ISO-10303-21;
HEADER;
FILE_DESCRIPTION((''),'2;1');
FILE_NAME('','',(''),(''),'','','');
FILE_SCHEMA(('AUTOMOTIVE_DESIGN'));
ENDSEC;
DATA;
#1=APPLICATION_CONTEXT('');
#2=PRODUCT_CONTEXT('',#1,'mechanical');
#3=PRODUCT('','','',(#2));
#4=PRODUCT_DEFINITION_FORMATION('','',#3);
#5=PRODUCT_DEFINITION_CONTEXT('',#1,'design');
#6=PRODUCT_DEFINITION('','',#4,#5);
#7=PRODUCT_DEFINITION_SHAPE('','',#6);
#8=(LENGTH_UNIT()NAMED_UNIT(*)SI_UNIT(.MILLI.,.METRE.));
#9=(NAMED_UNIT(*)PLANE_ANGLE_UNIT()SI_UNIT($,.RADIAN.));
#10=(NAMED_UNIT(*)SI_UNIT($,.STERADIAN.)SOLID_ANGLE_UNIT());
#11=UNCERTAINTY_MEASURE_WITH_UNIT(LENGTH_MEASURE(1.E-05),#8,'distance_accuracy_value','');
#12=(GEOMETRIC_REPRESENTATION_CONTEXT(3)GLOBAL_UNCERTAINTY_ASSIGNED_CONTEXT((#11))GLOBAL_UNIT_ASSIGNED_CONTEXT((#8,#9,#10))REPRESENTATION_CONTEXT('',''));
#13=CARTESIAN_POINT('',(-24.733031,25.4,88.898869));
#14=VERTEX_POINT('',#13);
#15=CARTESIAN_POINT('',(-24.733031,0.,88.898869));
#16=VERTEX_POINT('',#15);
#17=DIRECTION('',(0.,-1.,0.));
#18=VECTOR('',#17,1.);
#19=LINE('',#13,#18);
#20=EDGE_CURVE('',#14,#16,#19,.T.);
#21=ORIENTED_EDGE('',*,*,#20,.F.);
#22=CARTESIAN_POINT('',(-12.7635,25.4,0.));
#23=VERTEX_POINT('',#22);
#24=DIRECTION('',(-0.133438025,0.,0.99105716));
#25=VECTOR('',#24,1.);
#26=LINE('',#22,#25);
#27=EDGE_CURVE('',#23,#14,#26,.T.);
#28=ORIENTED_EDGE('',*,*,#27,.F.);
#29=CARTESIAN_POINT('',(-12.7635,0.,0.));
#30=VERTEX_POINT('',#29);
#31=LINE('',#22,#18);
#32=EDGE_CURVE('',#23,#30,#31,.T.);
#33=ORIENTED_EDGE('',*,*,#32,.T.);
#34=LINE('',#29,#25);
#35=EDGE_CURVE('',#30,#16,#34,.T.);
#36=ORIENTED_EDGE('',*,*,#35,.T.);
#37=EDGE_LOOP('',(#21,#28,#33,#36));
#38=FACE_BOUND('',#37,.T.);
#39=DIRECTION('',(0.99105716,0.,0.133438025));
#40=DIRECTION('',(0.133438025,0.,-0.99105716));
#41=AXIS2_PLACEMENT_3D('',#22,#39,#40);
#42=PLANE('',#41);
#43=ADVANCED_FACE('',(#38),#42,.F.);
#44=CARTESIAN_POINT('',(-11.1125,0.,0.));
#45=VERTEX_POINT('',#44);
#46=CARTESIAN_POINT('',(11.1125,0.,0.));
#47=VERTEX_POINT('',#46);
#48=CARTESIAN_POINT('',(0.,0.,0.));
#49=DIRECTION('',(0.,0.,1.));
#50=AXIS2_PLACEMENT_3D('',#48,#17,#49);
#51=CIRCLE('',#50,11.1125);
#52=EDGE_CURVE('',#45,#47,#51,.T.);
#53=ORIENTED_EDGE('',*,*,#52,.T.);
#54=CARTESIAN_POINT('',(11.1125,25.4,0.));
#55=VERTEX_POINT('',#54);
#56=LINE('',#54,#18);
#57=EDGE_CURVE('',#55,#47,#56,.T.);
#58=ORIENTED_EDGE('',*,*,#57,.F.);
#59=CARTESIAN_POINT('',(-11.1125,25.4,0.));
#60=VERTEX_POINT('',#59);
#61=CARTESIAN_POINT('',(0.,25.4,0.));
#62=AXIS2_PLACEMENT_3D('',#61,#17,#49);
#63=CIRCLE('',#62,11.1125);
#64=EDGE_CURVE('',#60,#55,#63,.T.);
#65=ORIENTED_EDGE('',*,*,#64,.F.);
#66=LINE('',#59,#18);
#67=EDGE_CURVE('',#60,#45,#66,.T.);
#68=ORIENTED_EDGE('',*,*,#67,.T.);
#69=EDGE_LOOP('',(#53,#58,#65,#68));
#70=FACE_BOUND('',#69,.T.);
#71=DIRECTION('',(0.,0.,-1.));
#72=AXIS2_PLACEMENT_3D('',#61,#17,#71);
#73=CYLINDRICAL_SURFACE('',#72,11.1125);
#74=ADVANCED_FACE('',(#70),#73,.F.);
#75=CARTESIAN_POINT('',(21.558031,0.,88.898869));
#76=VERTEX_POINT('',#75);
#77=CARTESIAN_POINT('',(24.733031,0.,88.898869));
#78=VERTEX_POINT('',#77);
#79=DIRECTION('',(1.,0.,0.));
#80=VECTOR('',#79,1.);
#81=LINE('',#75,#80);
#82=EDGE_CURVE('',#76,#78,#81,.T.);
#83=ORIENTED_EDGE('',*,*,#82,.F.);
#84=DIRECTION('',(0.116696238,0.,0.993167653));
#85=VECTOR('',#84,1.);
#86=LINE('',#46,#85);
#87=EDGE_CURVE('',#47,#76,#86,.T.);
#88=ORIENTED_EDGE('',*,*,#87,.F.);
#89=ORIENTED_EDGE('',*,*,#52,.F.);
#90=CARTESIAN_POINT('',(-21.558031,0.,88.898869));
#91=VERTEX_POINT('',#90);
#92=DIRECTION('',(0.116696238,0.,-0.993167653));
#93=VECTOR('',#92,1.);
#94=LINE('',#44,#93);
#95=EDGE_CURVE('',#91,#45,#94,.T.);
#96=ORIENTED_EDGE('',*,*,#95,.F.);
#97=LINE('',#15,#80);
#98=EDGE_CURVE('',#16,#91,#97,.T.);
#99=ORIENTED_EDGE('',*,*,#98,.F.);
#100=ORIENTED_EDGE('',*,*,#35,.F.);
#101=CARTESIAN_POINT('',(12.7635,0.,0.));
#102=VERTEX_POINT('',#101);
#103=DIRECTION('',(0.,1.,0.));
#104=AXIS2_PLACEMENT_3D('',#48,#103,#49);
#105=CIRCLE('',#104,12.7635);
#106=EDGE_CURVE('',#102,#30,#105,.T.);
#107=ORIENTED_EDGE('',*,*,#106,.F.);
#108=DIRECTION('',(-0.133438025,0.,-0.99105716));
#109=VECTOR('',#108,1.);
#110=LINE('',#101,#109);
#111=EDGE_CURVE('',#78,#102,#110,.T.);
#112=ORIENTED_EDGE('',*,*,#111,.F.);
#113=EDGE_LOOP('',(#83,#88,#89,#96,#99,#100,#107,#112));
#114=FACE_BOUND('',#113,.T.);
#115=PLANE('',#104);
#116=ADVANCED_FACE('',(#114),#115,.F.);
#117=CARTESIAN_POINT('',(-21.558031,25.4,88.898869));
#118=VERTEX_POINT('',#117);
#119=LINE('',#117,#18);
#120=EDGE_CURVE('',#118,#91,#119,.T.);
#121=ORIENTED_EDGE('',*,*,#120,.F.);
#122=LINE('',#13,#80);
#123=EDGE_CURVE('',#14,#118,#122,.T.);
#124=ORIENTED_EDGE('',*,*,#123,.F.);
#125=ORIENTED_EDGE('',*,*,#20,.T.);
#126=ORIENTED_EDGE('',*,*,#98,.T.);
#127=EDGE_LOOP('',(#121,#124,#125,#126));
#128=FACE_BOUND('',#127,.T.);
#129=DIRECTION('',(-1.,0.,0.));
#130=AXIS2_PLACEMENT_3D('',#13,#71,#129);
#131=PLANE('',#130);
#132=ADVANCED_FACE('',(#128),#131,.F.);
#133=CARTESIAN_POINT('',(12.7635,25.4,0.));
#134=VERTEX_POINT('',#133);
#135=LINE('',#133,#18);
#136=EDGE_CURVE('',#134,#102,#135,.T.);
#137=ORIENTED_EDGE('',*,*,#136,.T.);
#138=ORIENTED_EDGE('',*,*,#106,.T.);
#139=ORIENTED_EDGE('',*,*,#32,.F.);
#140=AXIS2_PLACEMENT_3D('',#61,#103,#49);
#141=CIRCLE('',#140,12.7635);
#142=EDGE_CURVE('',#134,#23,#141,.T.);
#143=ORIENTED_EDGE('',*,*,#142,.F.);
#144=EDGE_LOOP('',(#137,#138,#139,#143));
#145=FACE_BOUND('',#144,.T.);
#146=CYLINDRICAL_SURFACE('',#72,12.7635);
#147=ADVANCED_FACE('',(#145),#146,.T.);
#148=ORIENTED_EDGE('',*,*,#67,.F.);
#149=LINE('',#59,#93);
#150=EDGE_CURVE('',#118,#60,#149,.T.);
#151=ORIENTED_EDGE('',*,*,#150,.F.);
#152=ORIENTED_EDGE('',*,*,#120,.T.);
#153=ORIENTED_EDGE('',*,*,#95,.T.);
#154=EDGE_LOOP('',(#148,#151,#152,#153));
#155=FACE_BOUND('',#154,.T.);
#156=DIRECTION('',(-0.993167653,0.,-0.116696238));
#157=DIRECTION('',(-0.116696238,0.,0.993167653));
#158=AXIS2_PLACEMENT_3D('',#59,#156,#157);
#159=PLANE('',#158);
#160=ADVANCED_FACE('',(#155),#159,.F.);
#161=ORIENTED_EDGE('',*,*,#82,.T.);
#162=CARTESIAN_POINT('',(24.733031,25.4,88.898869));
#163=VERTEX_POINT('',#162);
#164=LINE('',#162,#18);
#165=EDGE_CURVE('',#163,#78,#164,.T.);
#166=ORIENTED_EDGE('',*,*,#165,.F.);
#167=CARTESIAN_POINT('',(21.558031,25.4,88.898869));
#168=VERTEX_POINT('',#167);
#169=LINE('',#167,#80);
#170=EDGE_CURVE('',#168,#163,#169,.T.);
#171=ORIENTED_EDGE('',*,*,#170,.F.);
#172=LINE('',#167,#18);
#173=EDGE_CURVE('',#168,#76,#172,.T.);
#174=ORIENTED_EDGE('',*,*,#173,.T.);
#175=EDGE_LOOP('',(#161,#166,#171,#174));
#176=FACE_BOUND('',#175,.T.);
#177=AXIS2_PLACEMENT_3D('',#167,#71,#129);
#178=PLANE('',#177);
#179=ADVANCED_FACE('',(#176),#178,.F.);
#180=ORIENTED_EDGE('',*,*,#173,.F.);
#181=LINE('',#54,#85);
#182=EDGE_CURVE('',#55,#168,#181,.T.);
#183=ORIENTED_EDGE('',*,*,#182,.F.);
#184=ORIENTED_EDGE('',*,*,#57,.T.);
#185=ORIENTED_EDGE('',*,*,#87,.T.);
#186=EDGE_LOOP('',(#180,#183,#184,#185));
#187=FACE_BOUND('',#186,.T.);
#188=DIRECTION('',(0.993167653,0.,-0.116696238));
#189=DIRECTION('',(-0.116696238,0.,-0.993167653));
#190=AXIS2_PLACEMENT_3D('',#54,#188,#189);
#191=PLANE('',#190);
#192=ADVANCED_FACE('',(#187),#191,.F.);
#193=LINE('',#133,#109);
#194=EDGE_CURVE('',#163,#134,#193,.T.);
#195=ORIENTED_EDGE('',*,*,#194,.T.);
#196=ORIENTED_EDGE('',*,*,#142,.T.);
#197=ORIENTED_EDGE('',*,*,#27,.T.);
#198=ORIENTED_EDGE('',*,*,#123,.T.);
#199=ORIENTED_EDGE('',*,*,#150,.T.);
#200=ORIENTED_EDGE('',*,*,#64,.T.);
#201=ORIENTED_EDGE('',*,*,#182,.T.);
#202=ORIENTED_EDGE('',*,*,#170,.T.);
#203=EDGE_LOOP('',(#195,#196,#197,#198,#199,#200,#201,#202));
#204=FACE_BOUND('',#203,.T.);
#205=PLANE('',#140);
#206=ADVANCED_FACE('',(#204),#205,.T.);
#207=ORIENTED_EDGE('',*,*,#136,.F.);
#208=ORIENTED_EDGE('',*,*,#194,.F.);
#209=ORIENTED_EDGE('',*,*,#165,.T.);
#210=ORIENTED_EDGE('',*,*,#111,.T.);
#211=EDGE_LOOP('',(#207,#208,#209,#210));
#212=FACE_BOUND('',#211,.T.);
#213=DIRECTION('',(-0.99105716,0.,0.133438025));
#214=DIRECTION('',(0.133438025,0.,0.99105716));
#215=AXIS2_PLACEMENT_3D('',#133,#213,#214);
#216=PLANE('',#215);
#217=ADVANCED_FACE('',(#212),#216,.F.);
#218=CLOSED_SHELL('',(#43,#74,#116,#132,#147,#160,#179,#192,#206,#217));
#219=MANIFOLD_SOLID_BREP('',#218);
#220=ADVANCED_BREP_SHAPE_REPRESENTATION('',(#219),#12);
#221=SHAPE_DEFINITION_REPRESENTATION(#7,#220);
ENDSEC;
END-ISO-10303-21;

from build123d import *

# Parameters (mm, degrees)
BOSS_EXTRUDE1_DEPTH = 25.4


with BuildPart() as part:
    # Sketch1 → Boss-Extrude1 (new body)
    with BuildSketch(Plane(origin=(0, 0, 0), x_dir=(1, 0, 0), z_dir=(0, 1, 0))):
        with BuildLine():
            Line((-11.1125, 0), (-21.558031073, -88.898868747))
            Line((-21.558031073, -88.898868747), (-24.733031073, -88.898868747))
            Line((-24.733031073, -88.898868747), (-12.7635, 0))
            ThreePointArc((-12.7635, 0), (0, 12.7635), (12.7635, 0))
            Line((12.7635, 0), (24.733031073, -88.898868747))
            Line((24.733031073, -88.898868747), (21.558031073, -88.898868747))
            Line((21.558031073, -88.898868747), (11.1125, 0))
            ThreePointArc((11.1125, 0), (0, 11.1125), (-11.1125, 0))
        make_face()
    extrude(amount=BOSS_EXTRUDE1_DEPTH)


solid = part.part
